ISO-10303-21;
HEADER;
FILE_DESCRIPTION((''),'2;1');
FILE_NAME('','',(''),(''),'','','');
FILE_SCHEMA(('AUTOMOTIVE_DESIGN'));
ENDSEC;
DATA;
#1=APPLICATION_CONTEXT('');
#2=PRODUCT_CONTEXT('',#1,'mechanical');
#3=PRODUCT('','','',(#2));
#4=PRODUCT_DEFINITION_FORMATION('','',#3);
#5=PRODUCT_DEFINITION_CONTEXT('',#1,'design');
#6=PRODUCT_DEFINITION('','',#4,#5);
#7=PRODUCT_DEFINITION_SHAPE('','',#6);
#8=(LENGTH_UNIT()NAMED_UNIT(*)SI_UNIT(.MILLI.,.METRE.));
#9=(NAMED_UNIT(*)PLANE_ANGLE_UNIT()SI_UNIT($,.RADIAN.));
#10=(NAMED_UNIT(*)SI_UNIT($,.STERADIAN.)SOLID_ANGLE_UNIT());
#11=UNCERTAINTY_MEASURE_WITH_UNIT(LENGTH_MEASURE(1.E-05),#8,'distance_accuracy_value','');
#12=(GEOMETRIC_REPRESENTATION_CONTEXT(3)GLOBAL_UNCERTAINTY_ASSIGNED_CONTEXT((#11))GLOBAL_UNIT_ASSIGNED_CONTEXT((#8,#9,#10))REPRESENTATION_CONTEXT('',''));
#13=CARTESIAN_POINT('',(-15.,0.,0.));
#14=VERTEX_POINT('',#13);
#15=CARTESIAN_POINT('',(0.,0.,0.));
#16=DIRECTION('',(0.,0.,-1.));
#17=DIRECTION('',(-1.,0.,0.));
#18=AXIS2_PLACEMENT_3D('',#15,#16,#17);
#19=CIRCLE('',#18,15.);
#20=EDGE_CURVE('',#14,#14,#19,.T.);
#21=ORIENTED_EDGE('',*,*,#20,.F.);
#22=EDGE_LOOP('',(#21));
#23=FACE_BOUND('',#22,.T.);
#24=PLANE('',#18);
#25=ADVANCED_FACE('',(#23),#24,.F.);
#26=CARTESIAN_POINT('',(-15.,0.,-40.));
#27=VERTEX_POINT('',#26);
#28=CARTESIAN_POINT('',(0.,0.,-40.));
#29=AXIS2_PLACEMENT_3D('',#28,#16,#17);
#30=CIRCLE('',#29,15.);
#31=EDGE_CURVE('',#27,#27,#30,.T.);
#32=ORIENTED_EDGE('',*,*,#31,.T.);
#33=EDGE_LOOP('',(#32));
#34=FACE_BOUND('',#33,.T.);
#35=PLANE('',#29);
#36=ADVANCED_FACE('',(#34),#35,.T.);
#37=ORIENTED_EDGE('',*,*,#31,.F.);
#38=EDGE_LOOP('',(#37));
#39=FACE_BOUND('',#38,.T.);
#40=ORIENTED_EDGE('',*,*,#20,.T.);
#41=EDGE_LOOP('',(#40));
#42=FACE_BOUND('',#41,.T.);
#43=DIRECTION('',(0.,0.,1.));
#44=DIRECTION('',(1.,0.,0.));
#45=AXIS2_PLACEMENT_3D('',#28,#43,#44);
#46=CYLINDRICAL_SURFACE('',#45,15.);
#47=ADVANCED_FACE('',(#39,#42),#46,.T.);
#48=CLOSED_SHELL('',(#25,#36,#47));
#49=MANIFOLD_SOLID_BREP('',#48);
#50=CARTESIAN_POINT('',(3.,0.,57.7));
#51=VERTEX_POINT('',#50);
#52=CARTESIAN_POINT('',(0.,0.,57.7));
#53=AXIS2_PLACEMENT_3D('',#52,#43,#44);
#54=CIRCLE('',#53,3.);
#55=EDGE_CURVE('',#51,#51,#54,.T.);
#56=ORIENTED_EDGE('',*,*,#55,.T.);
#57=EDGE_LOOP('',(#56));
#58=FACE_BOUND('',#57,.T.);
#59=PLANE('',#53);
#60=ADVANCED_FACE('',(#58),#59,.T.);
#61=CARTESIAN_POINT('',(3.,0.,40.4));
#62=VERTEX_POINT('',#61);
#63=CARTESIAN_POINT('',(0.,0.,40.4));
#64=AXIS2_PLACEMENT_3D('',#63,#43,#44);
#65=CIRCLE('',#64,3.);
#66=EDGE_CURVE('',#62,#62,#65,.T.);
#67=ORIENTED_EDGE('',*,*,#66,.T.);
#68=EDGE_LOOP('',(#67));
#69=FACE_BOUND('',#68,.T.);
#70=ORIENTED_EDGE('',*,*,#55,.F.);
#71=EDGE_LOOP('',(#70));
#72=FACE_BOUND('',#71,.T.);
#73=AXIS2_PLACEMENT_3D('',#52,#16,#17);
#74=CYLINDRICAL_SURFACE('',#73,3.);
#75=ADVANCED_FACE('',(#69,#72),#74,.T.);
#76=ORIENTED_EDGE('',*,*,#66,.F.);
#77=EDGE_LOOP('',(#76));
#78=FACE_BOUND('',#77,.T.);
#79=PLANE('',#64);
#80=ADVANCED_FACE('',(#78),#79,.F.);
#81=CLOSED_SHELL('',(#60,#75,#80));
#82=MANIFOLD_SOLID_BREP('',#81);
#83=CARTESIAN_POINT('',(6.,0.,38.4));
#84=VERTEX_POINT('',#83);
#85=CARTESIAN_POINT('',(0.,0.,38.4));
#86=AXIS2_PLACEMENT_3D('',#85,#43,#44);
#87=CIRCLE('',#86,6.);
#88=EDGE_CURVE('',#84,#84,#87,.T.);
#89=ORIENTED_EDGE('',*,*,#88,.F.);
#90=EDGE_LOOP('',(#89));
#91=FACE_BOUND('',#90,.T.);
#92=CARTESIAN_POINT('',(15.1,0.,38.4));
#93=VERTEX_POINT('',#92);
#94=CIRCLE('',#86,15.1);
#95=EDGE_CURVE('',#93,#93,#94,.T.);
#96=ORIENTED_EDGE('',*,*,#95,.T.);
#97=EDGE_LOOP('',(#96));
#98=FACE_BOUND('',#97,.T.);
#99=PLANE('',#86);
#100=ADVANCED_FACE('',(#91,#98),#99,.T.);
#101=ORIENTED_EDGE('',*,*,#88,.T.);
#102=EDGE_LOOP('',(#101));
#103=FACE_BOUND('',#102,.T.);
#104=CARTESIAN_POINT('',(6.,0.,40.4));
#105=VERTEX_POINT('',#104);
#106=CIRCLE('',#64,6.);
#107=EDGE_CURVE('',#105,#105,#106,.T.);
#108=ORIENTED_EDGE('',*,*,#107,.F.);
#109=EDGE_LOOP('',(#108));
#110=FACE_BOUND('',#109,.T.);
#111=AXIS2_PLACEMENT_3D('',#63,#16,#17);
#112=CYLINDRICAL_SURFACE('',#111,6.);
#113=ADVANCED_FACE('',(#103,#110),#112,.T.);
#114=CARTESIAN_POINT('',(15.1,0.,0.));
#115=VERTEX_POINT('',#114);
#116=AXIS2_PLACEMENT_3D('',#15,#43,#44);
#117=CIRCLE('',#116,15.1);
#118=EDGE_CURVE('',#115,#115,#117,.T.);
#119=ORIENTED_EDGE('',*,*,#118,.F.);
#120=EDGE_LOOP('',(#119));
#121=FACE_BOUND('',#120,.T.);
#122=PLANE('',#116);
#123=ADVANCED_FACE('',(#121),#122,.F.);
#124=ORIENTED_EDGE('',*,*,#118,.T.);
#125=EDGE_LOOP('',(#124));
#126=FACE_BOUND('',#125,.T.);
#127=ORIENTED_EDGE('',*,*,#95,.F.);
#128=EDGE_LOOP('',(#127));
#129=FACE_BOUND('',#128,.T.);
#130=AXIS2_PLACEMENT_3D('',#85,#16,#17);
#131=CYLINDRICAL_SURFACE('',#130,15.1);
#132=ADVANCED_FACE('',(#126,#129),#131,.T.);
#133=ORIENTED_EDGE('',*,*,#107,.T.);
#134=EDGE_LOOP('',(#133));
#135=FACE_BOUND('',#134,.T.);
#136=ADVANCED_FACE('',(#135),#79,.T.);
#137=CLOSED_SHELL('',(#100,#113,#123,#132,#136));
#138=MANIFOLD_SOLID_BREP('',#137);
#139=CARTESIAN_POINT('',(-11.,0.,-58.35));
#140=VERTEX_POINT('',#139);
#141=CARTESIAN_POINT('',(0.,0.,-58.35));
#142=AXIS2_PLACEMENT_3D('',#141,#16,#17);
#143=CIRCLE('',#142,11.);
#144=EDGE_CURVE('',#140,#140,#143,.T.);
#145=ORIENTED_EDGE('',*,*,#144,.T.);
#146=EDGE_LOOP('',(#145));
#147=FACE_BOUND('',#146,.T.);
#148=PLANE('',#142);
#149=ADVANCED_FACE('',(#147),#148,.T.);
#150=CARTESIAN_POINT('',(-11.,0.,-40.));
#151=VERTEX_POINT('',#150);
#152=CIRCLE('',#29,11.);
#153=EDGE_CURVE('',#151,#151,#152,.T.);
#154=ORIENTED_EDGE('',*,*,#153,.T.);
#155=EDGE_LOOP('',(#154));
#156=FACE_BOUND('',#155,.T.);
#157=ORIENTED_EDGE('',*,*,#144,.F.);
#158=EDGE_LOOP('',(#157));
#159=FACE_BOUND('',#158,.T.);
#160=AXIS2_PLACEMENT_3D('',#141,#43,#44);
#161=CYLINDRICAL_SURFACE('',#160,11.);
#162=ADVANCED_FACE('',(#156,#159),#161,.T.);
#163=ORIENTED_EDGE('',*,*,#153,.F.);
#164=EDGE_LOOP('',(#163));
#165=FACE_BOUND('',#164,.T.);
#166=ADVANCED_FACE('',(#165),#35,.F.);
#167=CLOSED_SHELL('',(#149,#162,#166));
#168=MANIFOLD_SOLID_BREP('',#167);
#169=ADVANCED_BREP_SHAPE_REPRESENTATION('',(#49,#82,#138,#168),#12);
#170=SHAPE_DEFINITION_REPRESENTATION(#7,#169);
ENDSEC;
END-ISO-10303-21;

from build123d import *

# Parameters (mm, degrees)
SKETCH1_R           = 15.1
BOSS_EXTRUDE1_DEPTH = 38.4
SKETCH2_R           = 15
BOSS_EXTRUDE2_DEPTH = 40
SKETCH3_R           = 6
BOSS_EXTRUDE3_DEPTH = 2
SKETCH4_R           = 11
BOSS_EXTRUDE4_DEPTH = 18.35
SKETCH5_R           = 3
BOSS_EXTRUDE5_DEPTH = 17.3


with BuildPart() as part:
    # Sketch1 → Boss-Extrude1 (new body)
    with BuildSketch(Plane.XY):
        Circle(SKETCH1_R)
    extrude(amount=BOSS_EXTRUDE1_DEPTH)

    # Sketch3 → Boss-Extrude3 (add)
    with BuildSketch(Plane.XY.offset(38.4)):
        Circle(SKETCH3_R)
    extrude(amount=BOSS_EXTRUDE3_DEPTH)


with BuildPart() as body_2:
    # Sketch2 → Boss-Extrude2 (new body)
    with BuildSketch(Plane(origin=(0, 0, 0), x_dir=(-1, 0, 0), z_dir=(0, 0, -1))):
        Circle(SKETCH2_R)
    extrude(amount=BOSS_EXTRUDE2_DEPTH)


with BuildPart() as body_3:
    # Sketch4 → Boss-Extrude4 (new body)
    with BuildSketch(Plane(origin=(0, 0, -40), x_dir=(-1, 0, 0), z_dir=(0, 0, -1))):
        Circle(SKETCH4_R)
    extrude(amount=BOSS_EXTRUDE4_DEPTH)


with BuildPart() as body_4:
    # Sketch5 → Boss-Extrude5 (new body)
    with BuildSketch(Plane.XY.offset(40.4)):
        Circle(SKETCH5_R)
    extrude(amount=BOSS_EXTRUDE5_DEPTH)


solid = Compound([part.part, body_2.part, body_3.part, body_4.part])
